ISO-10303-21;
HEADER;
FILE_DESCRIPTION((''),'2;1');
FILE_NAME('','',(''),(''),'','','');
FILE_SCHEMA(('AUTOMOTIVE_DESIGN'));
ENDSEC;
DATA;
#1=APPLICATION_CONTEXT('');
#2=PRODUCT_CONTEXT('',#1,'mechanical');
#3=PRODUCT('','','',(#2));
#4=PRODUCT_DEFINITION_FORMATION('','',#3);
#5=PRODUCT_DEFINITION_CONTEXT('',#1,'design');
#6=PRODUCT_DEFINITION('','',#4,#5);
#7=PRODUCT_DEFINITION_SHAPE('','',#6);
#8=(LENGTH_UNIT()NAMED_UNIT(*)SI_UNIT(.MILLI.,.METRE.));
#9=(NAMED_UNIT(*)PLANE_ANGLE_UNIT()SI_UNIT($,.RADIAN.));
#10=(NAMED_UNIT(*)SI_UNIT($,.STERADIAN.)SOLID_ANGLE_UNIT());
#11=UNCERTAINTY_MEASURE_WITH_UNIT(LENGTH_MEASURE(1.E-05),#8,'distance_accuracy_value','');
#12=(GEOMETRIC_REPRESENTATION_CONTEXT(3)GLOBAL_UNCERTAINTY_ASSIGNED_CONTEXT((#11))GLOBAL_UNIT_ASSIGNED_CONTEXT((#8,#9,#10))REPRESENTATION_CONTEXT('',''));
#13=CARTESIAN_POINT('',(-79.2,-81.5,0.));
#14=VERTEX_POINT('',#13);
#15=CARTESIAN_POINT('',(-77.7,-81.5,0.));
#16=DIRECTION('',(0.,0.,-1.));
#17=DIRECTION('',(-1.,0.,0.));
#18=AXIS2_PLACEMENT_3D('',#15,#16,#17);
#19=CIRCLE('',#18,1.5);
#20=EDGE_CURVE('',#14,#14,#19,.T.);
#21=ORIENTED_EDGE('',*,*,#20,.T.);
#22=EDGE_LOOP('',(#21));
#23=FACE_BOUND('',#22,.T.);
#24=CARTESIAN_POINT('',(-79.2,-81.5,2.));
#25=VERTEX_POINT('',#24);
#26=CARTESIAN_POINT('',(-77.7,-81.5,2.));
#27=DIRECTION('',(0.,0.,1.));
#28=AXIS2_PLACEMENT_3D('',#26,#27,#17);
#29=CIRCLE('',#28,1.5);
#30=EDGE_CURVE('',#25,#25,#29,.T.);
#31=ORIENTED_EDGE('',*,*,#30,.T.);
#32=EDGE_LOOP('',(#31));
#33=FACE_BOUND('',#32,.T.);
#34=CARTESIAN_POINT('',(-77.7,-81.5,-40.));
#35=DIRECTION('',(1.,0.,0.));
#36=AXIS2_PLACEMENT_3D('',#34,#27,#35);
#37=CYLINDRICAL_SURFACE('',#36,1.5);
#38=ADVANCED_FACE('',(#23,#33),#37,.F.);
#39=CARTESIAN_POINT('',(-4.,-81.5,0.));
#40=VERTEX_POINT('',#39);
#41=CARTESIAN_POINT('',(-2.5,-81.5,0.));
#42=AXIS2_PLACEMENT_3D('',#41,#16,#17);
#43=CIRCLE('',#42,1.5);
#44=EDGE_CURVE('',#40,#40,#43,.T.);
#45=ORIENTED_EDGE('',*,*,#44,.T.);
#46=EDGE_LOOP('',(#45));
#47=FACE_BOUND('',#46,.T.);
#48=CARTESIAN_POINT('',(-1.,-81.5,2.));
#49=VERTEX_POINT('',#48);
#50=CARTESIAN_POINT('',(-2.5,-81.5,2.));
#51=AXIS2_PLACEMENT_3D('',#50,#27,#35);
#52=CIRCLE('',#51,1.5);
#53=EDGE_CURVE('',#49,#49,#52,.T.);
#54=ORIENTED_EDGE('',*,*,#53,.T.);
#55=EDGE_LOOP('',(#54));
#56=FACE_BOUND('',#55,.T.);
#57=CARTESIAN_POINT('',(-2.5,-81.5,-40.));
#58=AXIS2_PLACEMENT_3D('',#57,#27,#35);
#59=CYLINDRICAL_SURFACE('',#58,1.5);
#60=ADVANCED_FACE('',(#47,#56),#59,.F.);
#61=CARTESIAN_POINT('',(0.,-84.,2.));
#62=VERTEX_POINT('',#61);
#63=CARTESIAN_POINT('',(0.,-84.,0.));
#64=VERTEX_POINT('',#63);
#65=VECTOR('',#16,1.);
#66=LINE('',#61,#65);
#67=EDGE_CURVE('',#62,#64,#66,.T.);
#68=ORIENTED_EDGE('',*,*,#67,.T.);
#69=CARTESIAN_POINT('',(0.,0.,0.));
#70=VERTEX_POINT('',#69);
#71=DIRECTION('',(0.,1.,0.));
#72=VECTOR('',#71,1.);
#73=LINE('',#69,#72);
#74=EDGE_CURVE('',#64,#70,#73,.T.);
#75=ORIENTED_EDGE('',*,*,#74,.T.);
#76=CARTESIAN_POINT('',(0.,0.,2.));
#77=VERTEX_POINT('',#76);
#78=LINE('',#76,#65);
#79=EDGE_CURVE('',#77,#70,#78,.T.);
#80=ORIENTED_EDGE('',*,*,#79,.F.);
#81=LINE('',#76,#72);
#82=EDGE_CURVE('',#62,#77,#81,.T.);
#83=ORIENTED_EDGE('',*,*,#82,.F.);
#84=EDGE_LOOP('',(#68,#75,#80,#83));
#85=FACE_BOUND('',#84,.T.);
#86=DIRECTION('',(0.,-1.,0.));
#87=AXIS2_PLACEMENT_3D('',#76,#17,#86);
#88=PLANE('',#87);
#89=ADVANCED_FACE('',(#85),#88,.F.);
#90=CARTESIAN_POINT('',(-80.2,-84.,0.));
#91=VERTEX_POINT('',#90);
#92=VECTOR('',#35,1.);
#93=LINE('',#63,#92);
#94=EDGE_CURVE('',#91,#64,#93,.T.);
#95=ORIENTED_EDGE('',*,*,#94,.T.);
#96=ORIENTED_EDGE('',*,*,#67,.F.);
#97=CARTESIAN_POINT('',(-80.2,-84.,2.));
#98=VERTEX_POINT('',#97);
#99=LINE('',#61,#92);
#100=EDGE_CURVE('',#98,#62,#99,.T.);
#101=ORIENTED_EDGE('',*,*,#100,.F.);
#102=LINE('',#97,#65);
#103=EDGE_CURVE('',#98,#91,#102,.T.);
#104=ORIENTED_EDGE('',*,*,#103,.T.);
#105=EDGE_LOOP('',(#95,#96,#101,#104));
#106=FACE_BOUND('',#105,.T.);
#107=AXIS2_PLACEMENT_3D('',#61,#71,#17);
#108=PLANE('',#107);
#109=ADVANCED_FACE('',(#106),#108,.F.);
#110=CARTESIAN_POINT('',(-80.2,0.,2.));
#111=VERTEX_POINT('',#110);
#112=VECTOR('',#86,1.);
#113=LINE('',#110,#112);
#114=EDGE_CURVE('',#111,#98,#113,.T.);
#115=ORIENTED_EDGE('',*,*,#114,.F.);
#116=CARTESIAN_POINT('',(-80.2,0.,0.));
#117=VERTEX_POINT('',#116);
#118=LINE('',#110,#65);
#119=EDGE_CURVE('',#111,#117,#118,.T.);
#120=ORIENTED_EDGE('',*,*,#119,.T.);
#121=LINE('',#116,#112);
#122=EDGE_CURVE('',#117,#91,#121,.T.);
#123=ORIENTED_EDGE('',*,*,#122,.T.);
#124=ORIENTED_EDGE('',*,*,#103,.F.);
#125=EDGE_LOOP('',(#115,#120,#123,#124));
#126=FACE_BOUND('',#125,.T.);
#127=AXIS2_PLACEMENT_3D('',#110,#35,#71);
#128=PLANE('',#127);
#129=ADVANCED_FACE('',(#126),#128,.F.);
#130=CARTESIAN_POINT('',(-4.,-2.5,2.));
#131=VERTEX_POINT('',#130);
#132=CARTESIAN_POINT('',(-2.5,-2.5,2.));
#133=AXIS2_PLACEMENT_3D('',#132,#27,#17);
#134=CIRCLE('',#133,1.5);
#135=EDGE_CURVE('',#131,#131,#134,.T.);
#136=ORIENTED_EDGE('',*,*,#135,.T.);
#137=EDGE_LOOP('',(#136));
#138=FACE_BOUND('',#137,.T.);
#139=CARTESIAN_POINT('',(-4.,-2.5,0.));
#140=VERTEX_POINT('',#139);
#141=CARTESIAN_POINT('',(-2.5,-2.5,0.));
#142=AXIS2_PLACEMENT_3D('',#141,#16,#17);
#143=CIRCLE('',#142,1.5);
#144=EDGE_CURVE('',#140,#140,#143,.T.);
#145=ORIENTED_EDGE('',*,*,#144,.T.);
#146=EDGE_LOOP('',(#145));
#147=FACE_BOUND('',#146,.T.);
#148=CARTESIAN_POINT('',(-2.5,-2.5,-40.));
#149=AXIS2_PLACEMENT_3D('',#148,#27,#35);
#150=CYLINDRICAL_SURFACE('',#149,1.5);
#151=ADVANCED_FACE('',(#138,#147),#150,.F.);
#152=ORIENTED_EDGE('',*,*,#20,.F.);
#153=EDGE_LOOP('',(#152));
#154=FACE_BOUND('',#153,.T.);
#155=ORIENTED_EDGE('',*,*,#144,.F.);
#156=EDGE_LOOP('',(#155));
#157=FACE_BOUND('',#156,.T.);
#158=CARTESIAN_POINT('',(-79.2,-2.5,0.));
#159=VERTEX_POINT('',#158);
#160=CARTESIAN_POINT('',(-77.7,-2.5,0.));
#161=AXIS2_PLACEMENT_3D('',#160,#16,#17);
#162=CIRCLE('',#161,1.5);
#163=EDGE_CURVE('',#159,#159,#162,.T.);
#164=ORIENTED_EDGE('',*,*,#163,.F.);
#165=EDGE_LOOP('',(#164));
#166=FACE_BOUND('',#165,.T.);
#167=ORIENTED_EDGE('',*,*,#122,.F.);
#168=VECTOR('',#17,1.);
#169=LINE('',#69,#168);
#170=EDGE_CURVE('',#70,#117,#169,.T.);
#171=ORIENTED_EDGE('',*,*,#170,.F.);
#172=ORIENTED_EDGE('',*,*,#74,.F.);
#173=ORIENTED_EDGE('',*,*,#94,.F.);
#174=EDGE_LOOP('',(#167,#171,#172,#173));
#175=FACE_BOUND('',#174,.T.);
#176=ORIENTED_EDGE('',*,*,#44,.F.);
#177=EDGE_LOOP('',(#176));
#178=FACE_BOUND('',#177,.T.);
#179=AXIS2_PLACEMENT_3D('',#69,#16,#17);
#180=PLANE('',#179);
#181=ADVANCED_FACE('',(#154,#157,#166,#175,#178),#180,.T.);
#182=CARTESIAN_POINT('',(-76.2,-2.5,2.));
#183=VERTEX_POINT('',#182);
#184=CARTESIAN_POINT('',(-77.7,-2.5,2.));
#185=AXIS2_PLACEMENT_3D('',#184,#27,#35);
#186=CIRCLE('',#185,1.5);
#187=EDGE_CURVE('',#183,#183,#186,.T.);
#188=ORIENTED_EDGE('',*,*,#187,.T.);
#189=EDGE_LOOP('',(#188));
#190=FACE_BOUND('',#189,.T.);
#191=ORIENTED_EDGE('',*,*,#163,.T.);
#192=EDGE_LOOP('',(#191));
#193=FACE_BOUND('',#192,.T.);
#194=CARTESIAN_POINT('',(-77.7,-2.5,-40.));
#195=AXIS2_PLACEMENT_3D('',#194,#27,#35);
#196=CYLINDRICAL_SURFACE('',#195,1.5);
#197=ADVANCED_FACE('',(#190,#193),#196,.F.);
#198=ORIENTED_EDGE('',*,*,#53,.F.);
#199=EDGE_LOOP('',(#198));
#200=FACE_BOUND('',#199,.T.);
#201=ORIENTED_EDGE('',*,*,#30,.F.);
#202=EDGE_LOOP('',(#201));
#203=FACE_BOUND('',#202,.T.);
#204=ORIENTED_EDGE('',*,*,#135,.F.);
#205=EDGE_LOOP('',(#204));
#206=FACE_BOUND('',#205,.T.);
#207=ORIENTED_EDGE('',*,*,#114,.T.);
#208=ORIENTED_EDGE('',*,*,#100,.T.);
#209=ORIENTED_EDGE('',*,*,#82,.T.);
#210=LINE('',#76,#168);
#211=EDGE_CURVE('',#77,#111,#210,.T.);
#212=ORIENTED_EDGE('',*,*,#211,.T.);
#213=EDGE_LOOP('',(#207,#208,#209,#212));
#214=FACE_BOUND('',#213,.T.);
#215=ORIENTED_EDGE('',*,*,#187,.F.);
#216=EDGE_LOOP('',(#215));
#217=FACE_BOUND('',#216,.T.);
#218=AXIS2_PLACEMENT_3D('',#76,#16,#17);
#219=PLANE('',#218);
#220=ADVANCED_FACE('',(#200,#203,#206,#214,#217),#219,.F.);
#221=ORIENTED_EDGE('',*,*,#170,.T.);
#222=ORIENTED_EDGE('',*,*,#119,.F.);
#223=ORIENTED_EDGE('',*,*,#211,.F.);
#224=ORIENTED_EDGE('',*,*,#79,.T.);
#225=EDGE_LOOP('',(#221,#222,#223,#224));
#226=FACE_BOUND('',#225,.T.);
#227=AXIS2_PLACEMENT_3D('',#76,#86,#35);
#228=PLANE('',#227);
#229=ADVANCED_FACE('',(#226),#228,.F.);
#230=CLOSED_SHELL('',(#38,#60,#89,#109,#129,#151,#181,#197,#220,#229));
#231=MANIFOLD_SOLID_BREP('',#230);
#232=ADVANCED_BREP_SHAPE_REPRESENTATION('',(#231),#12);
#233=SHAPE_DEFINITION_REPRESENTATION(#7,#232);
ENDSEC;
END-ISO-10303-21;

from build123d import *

# Parameters (mm, degrees)
SKETCH1_W           = 80.2
SKETCH1_H           = 84
BOSS_EXTRUDE1_DEPTH = 2
SKETCH2_R           = 1.5
CUT_EXTRUDE1_DEPTH  = 42


with BuildPart() as part:
    # Sketch1 → Boss-Extrude1 (new body)
    with BuildSketch(Plane.XY):
        with Locations((-40.1, -42)):
            Rectangle(SKETCH1_W, SKETCH1_H)
    extrude(amount=BOSS_EXTRUDE1_DEPTH)

    # Sketch2 → Cut-Extrude1 (cut)
    with BuildSketch(Plane.XY.offset(2)):
        with Locations((-77.7, -2.5)):
            Circle(SKETCH2_R)
        with Locations((-2.5, -2.5)):
            Circle(SKETCH2_R)
        with Locations((-77.7, -81.5)):
            Circle(SKETCH2_R)
        with Locations((-2.5, -81.5)):
            Circle(SKETCH2_R)
    extrude(amount=-CUT_EXTRUDE1_DEPTH, mode=Mode.SUBTRACT)


solid = part.part
